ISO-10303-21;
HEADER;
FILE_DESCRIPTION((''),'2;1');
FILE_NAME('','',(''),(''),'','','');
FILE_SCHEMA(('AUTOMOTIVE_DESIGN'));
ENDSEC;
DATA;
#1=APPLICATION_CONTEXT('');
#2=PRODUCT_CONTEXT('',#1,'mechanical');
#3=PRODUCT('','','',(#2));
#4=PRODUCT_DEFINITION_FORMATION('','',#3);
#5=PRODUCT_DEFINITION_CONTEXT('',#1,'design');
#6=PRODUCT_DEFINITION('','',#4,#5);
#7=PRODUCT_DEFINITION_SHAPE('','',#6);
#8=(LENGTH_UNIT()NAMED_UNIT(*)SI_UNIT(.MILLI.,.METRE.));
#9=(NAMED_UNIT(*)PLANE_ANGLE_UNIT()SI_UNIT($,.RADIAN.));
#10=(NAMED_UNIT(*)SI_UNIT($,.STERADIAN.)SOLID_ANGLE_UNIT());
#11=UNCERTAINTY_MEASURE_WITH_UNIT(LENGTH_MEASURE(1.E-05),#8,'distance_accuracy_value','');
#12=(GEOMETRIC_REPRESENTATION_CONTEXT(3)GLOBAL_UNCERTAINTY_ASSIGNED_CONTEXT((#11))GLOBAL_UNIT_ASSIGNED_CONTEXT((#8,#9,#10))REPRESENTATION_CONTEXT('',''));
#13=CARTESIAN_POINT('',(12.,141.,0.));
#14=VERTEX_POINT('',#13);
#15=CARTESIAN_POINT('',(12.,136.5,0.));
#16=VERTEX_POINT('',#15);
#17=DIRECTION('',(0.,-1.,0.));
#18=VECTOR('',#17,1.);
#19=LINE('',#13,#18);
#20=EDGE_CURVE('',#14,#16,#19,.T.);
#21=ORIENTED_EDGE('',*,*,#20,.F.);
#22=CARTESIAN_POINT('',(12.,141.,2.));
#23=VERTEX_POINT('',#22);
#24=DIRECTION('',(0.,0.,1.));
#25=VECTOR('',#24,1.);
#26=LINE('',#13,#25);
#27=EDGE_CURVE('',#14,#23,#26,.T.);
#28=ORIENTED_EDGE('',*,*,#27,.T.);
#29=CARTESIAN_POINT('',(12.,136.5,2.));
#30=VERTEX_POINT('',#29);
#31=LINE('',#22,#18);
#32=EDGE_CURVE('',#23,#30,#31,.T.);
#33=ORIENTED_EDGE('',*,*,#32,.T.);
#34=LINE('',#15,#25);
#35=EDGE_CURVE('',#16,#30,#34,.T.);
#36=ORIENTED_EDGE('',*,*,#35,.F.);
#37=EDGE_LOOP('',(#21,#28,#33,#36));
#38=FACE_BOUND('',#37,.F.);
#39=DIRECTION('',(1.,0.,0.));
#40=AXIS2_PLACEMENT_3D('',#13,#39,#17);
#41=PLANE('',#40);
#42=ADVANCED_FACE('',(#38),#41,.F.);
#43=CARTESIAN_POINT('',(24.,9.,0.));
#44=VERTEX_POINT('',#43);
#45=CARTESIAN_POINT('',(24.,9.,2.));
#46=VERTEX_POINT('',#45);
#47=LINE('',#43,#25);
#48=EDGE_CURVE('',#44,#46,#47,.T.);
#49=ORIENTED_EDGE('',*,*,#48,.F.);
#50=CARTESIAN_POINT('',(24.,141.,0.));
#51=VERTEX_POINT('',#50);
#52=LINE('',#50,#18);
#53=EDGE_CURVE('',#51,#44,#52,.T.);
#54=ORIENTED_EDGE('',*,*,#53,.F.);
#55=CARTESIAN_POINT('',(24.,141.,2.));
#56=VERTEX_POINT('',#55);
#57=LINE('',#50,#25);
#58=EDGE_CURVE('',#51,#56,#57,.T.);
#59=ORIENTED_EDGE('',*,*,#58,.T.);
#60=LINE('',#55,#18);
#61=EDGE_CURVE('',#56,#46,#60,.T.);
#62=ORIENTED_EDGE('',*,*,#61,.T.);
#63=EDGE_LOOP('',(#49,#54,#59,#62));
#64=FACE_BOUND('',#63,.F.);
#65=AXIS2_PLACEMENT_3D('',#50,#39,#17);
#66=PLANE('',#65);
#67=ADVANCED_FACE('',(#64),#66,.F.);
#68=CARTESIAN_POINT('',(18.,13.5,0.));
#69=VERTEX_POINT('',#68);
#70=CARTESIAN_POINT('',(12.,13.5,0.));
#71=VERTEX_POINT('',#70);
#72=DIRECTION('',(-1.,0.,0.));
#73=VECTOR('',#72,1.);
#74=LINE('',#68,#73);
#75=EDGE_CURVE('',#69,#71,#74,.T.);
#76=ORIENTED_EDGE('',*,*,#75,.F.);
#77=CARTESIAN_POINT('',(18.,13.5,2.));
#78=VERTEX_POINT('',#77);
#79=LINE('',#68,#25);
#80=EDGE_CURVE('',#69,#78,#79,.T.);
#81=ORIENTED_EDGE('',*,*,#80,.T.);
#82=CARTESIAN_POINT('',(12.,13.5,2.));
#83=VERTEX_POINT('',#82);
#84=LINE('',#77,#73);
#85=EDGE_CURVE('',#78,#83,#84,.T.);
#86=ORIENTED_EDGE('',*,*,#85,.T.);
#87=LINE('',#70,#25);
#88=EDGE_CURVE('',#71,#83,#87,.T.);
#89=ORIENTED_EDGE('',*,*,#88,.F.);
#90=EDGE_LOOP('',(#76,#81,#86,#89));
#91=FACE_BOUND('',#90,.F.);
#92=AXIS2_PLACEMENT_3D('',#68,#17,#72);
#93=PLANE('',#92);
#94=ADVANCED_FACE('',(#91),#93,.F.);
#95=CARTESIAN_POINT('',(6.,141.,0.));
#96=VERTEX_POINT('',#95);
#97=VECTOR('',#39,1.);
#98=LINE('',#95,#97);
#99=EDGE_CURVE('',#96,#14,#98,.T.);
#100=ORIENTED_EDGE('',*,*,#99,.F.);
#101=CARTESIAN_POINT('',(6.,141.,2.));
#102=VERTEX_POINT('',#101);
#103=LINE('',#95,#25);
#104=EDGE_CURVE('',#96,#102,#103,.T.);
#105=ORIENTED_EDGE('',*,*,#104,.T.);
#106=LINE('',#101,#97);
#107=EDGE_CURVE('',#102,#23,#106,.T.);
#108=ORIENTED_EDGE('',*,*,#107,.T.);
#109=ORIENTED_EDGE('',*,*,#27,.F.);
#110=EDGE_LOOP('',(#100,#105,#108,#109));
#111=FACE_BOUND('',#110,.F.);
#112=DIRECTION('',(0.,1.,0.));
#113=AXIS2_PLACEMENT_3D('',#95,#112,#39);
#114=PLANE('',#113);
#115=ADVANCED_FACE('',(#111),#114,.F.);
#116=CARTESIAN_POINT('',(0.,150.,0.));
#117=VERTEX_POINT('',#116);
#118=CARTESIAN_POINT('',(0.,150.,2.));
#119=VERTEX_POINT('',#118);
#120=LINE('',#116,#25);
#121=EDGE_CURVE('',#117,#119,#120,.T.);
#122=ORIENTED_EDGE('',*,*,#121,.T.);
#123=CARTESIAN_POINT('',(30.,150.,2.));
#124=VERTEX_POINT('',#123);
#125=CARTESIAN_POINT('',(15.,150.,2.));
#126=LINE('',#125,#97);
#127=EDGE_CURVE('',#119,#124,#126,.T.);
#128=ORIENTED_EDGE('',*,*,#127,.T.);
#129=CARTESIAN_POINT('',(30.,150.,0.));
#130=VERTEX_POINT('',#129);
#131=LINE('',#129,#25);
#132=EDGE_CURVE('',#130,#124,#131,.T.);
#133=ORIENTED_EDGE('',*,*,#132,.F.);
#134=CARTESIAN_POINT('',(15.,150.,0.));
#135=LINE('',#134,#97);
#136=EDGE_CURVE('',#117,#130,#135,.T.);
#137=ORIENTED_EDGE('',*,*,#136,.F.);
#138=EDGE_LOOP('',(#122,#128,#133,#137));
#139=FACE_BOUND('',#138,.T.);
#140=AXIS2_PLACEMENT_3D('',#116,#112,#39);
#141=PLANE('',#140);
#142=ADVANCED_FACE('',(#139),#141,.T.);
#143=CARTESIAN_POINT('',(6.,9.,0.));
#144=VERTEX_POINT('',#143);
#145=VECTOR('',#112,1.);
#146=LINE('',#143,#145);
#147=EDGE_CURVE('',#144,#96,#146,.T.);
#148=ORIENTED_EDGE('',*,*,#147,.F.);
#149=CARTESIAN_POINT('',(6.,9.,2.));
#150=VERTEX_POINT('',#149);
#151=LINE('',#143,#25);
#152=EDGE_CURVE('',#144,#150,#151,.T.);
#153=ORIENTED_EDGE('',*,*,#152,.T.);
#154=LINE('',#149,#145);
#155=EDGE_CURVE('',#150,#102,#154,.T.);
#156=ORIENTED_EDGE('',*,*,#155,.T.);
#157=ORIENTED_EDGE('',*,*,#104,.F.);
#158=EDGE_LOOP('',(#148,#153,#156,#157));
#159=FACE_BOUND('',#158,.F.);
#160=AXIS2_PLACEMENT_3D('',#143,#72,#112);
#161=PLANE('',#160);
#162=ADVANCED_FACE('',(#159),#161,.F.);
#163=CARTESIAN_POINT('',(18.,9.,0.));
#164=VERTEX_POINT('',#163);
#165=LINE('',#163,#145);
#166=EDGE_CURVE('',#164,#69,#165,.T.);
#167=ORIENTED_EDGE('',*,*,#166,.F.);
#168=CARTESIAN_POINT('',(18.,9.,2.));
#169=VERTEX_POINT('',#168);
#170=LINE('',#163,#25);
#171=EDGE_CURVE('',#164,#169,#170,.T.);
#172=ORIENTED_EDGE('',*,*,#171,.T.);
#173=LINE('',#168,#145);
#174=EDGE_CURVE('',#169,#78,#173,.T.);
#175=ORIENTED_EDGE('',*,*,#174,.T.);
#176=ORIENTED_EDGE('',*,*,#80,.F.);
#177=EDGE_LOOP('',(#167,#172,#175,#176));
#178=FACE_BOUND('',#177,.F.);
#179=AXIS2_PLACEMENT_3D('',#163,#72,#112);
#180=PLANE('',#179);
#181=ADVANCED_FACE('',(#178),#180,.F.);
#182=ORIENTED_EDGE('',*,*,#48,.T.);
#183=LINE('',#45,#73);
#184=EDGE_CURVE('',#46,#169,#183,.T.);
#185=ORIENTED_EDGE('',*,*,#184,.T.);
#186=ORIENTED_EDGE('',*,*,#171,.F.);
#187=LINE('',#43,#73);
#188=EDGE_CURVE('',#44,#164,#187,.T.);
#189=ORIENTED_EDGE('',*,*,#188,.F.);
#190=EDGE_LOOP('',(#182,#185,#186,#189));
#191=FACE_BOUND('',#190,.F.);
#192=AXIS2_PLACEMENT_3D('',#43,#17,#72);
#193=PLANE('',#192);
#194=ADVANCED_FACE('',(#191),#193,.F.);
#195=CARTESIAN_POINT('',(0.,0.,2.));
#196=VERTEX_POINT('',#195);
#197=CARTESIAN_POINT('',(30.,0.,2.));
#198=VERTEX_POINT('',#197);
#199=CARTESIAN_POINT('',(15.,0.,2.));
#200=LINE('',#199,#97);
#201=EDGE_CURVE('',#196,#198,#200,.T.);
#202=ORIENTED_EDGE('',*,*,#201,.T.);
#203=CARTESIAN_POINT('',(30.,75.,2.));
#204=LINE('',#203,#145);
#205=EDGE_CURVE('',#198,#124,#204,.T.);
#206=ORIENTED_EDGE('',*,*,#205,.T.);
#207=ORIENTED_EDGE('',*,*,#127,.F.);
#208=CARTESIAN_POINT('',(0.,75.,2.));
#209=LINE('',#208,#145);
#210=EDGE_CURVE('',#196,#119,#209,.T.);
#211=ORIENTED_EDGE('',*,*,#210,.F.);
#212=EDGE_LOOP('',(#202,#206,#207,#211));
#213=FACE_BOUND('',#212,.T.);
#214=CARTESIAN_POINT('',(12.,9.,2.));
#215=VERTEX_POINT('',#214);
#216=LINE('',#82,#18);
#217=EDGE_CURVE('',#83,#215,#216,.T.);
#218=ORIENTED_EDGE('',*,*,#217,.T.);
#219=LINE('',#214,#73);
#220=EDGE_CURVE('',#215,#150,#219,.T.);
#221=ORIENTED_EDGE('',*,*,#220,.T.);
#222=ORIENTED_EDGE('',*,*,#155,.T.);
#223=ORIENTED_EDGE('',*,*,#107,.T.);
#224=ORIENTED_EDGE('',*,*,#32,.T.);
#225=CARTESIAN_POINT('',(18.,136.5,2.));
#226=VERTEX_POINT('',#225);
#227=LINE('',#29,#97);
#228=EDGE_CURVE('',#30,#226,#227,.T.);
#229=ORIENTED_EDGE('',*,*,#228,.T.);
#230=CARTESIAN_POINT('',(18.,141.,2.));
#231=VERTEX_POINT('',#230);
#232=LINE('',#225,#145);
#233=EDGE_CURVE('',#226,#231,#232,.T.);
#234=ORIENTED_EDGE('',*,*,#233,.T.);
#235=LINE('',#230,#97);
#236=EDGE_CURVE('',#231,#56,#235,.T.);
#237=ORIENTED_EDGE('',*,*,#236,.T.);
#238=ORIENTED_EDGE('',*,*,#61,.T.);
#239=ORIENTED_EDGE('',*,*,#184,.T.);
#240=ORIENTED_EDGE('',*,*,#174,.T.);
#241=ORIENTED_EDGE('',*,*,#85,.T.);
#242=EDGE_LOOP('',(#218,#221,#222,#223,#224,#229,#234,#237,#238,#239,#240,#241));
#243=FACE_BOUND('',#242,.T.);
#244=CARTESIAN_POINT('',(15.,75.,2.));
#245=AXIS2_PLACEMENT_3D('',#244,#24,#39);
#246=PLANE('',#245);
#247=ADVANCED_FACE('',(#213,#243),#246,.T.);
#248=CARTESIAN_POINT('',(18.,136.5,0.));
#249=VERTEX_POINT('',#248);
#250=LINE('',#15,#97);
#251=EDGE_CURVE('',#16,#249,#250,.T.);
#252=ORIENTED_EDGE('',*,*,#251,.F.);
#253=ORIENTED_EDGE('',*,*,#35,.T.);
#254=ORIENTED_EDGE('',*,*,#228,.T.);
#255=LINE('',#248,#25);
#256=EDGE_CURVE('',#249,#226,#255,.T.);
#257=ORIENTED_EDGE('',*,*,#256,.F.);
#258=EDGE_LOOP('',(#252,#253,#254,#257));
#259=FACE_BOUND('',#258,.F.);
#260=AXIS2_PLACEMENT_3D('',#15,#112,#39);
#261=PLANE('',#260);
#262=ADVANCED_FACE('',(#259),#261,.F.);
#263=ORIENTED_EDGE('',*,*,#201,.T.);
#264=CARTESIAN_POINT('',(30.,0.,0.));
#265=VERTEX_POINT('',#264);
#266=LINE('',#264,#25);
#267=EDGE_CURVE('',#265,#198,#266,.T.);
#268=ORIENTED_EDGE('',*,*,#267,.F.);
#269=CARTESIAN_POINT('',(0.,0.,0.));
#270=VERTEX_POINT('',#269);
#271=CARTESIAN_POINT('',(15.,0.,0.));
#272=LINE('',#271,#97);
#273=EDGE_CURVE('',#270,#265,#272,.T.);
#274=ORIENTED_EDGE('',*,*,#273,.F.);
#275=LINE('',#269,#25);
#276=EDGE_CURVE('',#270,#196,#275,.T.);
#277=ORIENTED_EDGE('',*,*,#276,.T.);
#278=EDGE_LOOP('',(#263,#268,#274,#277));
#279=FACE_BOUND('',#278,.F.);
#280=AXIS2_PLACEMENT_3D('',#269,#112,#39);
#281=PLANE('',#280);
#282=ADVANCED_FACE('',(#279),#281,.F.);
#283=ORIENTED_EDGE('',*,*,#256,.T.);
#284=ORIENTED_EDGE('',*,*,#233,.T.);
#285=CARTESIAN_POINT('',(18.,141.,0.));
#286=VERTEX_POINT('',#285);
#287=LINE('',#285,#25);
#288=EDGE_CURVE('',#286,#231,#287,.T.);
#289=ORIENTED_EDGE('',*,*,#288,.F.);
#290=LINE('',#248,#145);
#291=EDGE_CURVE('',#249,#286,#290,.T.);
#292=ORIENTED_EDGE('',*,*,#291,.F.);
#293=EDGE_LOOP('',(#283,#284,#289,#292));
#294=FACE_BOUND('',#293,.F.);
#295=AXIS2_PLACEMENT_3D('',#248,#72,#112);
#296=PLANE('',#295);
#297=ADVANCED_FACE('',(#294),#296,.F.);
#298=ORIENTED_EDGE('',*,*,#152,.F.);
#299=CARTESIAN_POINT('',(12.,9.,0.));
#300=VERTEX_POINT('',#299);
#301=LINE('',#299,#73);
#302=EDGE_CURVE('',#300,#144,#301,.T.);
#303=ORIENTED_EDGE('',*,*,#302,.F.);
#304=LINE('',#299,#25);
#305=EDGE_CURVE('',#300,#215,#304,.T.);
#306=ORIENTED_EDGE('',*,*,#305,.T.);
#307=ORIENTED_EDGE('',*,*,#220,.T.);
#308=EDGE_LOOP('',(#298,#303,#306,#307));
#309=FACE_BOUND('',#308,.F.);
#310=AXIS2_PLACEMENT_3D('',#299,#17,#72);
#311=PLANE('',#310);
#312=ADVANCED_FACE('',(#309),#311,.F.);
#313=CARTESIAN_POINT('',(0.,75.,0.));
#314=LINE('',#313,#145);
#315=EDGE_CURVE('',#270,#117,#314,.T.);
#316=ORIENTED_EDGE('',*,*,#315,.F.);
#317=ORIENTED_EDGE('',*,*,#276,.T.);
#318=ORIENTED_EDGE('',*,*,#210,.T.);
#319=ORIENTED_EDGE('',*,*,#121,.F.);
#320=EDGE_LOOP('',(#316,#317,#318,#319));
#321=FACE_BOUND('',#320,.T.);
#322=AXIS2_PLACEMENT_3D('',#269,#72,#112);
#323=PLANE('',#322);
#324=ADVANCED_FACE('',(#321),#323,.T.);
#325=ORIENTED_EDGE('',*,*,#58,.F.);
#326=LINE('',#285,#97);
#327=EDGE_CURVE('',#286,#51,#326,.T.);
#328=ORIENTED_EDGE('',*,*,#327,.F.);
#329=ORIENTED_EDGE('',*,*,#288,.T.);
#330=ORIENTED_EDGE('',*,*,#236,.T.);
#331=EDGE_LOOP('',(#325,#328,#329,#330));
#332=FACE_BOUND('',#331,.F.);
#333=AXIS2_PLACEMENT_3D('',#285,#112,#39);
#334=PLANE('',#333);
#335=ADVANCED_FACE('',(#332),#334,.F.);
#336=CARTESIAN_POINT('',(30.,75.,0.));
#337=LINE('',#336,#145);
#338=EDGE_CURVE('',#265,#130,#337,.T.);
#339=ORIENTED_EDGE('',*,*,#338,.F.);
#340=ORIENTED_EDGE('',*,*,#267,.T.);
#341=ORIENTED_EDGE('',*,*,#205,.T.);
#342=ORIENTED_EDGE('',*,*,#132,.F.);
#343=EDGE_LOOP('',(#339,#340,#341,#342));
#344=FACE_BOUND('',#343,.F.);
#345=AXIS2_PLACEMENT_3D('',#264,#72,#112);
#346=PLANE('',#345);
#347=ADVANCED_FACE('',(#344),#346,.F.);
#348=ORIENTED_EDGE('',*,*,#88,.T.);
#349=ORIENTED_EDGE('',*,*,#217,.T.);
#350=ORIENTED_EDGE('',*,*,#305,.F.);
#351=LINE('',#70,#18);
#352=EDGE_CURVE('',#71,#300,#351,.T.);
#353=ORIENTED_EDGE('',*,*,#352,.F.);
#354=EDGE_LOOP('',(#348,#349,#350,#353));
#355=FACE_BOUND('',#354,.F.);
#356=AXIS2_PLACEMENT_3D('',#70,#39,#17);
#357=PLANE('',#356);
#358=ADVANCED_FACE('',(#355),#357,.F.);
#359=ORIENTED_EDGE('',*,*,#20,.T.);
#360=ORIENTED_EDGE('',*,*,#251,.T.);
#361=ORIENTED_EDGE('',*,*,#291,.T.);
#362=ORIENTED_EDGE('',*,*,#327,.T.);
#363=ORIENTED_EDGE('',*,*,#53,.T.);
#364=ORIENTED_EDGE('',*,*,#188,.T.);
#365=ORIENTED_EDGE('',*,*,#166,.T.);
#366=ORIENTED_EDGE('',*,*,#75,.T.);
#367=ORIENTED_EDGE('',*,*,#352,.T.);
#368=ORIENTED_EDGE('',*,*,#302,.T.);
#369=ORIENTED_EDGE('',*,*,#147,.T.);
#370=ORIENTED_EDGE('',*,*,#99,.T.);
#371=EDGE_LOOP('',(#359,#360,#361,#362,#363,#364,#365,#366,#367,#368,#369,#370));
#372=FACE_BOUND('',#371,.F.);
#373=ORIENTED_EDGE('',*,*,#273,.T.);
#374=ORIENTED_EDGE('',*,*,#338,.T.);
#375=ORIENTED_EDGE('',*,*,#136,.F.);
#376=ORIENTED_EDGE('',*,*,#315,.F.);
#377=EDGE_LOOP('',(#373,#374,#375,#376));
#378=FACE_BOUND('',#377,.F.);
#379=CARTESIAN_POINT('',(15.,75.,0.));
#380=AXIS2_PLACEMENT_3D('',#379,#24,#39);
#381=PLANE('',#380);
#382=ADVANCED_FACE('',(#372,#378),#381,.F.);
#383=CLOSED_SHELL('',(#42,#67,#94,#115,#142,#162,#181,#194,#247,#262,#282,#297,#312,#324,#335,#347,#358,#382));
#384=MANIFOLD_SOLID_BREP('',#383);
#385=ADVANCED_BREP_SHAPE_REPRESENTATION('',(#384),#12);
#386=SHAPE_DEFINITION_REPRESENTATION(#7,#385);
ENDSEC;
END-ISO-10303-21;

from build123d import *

# Parameters (mm, degrees)
F0_W     = 30
F0_H     = 150
F1_DEPTH = 2


with BuildPart() as f1:
    # F0 (on Top) → F1 (new body)
    with BuildSketch(Plane.XY):
        with Locations((15, 75)):
            Rectangle(F0_W, F0_H)
        Polygon((6, 9), (6, 141), (12, 141), (12, 136.5), (18, 136.5), (18, 141), (24, 141), (24, 9), (18, 9), (18, 13.5), (12, 13.5), (12, 9), align=None, mode=Mode.SUBTRACT)
    extrude(amount=F1_DEPTH)


solid = f1.part
